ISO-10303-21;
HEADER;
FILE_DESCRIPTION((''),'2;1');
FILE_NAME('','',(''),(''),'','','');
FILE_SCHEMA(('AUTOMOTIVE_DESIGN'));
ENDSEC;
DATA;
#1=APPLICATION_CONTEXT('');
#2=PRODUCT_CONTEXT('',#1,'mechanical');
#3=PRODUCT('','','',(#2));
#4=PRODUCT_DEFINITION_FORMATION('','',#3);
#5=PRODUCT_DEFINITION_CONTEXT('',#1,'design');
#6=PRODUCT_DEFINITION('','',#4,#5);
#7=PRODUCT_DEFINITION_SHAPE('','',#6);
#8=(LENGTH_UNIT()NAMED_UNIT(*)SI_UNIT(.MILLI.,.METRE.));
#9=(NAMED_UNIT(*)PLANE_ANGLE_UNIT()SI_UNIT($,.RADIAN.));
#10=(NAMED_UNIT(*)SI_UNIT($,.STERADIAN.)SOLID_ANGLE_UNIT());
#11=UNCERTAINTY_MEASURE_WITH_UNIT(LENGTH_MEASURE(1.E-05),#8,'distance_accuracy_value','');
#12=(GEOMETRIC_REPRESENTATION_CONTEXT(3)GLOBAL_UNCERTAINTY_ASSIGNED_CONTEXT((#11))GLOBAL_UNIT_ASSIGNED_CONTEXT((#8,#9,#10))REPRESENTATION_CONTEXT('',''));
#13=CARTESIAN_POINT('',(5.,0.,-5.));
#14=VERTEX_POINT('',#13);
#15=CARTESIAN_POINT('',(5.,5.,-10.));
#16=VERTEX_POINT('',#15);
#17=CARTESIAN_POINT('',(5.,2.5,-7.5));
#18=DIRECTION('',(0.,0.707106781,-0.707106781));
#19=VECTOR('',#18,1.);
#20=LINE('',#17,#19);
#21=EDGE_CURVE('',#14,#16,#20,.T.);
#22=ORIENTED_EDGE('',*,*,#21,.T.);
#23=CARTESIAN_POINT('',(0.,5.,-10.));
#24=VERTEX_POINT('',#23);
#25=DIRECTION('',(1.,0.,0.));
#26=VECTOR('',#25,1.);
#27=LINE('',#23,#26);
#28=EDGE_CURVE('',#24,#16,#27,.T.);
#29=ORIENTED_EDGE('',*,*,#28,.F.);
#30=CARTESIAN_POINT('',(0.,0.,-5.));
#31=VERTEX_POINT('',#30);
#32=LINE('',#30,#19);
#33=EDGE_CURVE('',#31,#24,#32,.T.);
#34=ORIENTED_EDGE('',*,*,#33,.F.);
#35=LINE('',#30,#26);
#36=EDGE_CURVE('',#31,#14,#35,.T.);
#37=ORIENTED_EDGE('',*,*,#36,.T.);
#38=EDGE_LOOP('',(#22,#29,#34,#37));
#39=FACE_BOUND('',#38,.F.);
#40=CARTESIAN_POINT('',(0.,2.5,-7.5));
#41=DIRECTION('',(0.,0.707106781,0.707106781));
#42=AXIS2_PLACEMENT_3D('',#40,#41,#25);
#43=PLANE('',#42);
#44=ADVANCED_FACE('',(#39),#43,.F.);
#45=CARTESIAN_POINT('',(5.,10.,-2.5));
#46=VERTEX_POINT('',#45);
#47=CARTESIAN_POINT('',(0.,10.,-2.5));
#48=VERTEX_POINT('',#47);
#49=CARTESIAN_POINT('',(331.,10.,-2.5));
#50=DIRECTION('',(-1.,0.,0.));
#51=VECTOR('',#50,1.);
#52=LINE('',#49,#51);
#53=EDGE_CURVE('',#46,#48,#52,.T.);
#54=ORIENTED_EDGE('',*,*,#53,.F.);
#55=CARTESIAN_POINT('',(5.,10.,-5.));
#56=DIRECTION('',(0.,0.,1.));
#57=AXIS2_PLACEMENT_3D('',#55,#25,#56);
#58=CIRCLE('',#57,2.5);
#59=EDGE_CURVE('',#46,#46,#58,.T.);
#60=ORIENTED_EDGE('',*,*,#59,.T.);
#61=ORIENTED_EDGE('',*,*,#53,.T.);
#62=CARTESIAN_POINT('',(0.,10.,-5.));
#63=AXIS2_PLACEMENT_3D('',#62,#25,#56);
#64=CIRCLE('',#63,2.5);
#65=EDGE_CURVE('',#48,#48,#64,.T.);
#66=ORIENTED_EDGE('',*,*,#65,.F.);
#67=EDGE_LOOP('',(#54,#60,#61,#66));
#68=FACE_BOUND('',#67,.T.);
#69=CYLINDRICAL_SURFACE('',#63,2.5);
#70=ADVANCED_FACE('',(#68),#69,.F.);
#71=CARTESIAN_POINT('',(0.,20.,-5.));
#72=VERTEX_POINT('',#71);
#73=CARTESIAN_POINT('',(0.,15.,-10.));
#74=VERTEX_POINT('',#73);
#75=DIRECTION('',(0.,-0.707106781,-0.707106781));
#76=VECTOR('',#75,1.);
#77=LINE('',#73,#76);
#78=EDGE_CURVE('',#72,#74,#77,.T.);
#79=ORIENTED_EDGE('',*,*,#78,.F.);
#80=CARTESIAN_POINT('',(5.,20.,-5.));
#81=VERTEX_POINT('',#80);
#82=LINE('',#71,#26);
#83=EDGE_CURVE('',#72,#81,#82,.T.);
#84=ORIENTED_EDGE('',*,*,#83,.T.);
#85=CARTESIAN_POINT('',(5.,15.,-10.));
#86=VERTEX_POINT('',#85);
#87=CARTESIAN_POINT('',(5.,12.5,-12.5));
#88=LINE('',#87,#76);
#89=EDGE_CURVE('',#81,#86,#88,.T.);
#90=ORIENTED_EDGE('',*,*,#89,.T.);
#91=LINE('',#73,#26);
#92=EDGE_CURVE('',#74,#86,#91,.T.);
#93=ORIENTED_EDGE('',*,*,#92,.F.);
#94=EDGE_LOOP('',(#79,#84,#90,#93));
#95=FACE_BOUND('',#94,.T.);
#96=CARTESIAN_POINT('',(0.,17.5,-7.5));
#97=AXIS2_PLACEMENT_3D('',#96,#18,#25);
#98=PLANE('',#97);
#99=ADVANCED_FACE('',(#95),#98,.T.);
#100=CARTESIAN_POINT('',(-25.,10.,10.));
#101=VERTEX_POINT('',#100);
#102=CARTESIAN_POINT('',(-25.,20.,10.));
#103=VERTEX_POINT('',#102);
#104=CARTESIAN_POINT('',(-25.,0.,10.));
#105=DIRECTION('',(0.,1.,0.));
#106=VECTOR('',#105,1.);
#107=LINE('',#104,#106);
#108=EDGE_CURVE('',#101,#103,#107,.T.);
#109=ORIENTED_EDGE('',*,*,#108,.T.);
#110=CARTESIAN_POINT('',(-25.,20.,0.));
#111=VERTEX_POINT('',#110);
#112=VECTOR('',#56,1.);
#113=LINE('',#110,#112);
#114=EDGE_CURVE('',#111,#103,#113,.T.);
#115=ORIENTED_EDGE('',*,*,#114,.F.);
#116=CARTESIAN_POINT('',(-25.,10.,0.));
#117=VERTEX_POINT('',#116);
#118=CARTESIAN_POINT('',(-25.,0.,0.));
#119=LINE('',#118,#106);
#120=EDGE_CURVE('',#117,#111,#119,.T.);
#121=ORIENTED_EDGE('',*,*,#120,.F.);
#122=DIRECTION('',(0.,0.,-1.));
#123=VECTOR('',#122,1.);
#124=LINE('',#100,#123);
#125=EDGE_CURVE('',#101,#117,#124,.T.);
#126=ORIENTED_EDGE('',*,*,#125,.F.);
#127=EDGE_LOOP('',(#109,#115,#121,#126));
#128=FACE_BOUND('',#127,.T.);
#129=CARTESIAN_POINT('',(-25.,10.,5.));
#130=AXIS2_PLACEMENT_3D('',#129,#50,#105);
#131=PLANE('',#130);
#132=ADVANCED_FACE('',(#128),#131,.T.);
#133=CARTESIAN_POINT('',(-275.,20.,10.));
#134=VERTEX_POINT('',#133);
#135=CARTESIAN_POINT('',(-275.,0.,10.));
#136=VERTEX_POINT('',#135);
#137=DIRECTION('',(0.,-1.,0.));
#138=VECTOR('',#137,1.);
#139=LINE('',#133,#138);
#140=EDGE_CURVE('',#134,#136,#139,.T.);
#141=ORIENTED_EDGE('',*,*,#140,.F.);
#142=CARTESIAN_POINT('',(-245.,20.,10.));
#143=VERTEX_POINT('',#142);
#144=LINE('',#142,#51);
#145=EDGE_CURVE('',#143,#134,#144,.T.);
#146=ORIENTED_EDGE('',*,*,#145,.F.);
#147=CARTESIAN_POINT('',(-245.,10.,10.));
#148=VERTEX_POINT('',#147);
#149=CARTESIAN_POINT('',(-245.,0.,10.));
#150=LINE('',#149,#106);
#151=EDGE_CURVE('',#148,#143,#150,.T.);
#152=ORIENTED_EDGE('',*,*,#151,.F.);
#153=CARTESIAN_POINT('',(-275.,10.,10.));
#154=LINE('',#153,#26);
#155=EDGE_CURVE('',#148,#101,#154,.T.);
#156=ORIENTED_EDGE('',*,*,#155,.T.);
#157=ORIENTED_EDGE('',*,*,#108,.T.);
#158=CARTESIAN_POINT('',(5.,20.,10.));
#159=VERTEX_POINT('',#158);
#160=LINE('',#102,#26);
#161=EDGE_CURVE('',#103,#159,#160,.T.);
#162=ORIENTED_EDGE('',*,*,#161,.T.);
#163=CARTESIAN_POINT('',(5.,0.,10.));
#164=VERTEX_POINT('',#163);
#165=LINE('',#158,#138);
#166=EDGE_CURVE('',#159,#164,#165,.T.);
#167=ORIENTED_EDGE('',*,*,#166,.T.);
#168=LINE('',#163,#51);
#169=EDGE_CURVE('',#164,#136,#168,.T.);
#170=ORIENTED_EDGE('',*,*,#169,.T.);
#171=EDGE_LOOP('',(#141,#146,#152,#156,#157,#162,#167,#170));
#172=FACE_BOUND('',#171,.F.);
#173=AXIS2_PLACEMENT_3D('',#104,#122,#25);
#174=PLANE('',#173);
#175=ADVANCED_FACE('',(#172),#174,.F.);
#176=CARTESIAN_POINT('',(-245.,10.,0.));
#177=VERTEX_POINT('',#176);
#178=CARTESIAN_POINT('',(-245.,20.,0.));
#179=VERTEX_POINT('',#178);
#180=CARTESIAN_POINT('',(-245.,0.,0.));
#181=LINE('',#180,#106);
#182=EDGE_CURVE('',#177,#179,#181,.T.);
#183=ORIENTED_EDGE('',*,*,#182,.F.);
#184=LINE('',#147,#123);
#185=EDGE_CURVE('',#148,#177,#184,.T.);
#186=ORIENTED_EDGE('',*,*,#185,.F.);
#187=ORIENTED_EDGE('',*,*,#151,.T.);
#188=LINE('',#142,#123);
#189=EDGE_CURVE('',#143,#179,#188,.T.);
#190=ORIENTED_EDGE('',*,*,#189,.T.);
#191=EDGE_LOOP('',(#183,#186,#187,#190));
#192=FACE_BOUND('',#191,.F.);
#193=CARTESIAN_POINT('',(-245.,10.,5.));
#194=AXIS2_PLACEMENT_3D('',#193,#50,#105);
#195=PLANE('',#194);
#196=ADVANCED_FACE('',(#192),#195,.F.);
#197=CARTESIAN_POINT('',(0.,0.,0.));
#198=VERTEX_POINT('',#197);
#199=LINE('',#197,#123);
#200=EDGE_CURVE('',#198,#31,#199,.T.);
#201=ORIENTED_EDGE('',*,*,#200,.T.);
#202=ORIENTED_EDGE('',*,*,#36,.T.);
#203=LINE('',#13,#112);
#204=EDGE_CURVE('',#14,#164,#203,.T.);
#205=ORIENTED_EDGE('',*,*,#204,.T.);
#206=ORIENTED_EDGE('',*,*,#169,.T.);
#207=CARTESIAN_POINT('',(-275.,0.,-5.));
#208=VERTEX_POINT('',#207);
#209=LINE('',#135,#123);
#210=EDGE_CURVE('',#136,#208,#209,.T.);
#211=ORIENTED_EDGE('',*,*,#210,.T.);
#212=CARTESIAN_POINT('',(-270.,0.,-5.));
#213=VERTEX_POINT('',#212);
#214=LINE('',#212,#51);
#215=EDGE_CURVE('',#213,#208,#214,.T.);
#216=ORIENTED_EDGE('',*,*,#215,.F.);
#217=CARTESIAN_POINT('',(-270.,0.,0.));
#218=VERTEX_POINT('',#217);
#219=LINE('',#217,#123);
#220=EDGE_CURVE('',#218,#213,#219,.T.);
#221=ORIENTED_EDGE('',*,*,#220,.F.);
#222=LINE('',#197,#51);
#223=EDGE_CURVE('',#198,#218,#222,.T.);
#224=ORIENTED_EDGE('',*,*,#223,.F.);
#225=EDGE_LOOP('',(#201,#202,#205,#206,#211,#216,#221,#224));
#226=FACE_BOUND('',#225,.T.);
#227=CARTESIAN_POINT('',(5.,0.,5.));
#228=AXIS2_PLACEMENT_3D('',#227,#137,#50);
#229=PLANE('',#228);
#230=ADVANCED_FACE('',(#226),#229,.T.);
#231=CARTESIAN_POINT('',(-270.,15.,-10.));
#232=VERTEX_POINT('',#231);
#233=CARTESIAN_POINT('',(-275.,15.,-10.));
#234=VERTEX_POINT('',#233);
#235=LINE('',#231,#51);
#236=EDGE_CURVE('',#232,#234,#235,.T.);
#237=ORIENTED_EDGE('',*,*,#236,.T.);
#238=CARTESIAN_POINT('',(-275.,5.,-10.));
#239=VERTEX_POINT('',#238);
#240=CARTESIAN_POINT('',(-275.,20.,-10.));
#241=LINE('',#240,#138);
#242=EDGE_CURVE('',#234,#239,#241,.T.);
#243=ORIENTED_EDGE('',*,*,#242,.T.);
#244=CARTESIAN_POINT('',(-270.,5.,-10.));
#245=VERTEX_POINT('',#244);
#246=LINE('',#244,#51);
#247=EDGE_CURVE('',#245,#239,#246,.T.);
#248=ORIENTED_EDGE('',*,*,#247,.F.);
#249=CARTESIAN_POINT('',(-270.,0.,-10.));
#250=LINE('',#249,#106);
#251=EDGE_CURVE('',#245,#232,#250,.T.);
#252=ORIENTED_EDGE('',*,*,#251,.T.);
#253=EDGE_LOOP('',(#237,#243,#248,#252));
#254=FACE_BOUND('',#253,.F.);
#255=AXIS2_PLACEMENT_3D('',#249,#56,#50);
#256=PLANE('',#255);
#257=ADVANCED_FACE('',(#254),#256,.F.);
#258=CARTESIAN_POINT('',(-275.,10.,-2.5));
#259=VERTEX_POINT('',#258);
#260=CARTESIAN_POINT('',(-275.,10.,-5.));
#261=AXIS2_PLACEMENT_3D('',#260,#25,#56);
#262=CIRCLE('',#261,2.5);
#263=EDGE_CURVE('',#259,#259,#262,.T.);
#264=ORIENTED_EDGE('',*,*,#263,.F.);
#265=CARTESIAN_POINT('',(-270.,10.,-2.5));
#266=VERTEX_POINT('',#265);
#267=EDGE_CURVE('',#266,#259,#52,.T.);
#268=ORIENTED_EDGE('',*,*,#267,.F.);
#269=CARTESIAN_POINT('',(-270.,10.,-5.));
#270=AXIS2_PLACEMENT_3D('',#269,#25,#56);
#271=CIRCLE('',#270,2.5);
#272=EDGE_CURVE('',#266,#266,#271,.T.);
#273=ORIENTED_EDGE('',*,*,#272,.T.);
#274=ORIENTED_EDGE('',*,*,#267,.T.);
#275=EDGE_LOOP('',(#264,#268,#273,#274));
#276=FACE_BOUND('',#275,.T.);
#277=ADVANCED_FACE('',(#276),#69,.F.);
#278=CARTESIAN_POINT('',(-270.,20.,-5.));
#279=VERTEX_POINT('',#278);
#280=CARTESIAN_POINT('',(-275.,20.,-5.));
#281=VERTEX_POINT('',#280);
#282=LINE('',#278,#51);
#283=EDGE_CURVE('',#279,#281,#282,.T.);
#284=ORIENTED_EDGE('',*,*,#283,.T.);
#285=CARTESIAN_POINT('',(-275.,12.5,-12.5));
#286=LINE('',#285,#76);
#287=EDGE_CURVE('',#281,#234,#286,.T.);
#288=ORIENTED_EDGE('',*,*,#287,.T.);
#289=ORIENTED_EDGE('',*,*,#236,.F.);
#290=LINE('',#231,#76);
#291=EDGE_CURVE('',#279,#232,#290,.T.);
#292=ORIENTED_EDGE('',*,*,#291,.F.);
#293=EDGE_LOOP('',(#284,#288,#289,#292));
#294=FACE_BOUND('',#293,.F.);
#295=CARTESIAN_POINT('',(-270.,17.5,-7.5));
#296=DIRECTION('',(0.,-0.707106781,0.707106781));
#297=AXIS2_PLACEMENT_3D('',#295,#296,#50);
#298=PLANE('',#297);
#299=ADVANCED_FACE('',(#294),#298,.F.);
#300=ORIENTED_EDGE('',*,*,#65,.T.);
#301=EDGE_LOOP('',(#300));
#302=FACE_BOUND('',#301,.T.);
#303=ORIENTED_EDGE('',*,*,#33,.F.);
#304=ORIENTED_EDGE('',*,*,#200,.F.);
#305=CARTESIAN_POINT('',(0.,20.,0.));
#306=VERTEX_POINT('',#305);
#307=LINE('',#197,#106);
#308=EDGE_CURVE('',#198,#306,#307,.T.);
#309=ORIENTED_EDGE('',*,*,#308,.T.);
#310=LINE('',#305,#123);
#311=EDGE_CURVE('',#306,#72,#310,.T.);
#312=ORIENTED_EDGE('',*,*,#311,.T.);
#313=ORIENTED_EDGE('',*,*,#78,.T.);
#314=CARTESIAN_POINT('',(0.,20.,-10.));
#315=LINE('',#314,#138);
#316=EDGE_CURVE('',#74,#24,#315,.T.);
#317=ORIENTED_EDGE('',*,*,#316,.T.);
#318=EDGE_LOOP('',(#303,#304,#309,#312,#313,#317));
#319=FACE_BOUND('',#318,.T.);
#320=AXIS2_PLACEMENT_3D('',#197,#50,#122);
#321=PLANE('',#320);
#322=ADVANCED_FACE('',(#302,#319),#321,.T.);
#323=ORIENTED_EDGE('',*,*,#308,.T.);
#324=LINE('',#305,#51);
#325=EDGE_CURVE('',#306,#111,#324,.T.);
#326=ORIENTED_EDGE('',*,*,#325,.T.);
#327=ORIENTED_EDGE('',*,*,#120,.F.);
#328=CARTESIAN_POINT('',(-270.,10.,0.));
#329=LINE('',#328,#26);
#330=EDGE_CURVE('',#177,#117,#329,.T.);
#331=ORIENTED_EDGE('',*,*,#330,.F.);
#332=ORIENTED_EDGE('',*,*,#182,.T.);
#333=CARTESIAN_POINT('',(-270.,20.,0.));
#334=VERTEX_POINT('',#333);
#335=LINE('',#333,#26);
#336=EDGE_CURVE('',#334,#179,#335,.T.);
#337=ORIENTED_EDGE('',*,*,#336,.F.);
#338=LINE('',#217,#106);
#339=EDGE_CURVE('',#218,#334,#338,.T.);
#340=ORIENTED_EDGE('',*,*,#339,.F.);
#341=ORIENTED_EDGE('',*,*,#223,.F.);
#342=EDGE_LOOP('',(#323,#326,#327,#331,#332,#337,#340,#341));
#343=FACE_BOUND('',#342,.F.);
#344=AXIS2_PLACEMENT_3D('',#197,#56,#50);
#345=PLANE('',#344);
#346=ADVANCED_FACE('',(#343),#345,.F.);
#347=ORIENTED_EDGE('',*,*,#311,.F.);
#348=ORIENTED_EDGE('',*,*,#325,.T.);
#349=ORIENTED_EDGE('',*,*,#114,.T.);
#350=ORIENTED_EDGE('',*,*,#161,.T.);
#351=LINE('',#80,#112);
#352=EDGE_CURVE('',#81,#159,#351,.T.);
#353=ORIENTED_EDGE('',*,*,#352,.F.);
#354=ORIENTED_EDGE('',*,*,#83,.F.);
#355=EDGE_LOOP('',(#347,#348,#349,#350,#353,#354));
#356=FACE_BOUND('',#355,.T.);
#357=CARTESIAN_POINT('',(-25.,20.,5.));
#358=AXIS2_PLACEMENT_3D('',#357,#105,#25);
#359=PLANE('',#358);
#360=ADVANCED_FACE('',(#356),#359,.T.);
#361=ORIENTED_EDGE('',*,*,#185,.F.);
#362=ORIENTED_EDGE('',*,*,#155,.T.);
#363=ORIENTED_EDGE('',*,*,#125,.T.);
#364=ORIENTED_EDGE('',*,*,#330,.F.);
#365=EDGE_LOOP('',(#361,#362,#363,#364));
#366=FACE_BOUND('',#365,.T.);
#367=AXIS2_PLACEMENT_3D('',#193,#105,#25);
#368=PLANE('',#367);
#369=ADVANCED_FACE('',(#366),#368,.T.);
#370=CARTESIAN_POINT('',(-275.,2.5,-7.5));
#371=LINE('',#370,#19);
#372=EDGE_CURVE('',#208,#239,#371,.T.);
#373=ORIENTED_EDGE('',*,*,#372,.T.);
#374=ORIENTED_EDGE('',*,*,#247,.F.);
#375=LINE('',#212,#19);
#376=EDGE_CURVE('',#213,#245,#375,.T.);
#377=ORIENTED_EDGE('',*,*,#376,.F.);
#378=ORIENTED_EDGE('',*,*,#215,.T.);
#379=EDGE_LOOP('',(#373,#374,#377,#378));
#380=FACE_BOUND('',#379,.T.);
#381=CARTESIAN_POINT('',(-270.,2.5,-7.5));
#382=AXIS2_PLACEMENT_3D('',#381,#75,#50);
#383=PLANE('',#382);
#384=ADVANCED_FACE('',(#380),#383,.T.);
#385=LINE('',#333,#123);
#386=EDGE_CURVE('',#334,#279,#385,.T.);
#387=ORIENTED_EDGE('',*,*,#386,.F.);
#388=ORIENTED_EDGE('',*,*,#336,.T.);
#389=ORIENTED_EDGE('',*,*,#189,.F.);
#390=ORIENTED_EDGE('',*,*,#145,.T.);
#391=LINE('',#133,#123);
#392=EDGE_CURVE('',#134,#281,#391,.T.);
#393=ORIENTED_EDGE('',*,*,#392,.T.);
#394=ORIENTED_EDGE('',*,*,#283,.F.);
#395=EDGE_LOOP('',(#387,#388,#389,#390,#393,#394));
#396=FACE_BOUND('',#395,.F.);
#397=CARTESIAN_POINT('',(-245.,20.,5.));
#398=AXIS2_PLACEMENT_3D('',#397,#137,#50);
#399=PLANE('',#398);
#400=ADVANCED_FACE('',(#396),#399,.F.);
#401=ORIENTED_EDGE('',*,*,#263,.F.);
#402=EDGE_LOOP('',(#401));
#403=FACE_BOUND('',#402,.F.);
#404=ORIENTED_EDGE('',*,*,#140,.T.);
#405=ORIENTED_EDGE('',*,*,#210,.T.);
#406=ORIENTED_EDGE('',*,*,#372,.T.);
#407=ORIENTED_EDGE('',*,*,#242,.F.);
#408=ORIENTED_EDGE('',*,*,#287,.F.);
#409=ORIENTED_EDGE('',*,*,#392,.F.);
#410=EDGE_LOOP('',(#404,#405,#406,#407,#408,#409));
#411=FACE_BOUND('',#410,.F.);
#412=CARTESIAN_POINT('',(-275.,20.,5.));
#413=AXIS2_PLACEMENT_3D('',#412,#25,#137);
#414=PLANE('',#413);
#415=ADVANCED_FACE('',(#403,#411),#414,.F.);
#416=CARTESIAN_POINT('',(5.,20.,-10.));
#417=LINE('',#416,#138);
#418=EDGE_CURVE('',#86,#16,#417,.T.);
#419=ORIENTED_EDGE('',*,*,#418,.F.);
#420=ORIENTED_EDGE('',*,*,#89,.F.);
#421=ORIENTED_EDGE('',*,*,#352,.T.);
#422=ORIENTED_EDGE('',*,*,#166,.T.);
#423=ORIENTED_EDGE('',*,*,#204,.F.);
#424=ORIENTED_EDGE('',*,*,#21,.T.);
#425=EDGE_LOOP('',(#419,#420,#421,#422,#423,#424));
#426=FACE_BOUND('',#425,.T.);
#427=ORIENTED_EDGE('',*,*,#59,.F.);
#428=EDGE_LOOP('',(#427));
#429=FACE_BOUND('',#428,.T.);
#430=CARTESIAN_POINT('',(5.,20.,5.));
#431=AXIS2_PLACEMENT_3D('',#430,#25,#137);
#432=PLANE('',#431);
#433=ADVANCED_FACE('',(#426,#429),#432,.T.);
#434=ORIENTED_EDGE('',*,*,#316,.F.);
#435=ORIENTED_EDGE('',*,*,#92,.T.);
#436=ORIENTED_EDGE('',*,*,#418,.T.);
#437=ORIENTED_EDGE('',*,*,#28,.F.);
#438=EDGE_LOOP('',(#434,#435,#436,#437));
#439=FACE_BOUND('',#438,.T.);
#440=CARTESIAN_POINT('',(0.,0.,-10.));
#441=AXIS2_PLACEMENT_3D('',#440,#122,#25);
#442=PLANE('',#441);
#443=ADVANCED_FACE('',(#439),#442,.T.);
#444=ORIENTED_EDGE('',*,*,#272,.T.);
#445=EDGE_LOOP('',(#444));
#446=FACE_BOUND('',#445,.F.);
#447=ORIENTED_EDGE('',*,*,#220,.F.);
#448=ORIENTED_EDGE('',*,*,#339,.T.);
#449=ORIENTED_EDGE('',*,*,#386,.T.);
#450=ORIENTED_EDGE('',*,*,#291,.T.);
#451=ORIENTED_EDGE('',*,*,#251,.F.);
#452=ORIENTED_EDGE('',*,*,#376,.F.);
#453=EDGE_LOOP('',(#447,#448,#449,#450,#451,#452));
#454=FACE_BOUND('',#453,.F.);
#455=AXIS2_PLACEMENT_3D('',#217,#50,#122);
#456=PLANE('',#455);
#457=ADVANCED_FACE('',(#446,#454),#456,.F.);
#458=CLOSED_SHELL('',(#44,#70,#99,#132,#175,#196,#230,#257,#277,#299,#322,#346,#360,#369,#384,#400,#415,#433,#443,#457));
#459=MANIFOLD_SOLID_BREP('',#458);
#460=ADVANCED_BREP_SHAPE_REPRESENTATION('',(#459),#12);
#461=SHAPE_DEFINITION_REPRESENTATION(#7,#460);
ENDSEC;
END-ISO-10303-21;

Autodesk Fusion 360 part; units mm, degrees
sketch "Sketch1" plane through (0, 0, 0) normal (0, 1, 0) x (1, 0, 0)
  line L0 (0, 0) -> (-25, 0)
  line L1 (-25, 0) -> (-25, -5)
  line L2 (-25, -5) -> (5, -5)
  line L3 (0, 0) -> (0, 10)
  line L4 (0, 10) -> (5, 10)
  line L5 (5, 10) -> (5, -5)
  line L6 (-25, 0) -> (-245, 0)
  line L7 (-245, 0) -> (-245, -5)
  line L8 (-245, -5) -> (-25, -5)
  line L9 (-25, 0) -> (-140, 0)
  line L10 (-140, 0) -> (-140, 27.0089)
  line L11 (-270, 10) -> (-275, 10)
  line L12 (-270, 0) -> (-270, 10)
  line L13 (-275, 10) -> (-275, -5)
  line L14 (-270, 0) -> (-245, 0)
  line L15 (-245, -5) -> (-275, -5)
  line L16 (-245, 0) -> (-245, -5)
  point P0 (-270, 0)
  dimension "d1" = 25
  dimension "d2" = 5
  dimension "d3" = 30
  dimension "d4" = 10
  dimension "d5" = 5
  dimension "d6" = 220
  dimension "d7" = 5
  dimension "d8" = 115
extrude "Extrude1" add sketch "Sketch1" along normal blind 10
extrude "Extrude2" add sketch "Sketch1" along normal blind 20 contours L0 L1 L2 L3 L4 L5 | L7 L11 L12 L13 L14 L15 L16
sketch "Sketch2" plane through (5, 0, 0) normal (1, 0, 0) x (0, 0, -1)
  line L0 (-5, 0) -> (10, 0)
  line L1 (10, 0) -> (10, 20)
  line L2 (10, 20) -> (-5, 20)
  line L3 (-5, 20) -> (-5, 0)
sketch "Sketch3" plane through (0, 0, 0) normal (-1, 0, 0) x (0, 0, 1)
  line L0 (-10, 0) -> (0, 0)
  line L1 (0, 0) -> (0, 20)
  line L2 (0, 20) -> (-10, 20)
  line L3 (-10, 20) -> (-10, 0)
  line L4 (-10, 0) -> (-5, 0)
  line L5 (-5, 0) -> (-5, 10)
  circle A0 centre (-5, 10) radius 2.5
  dimension "d13" = 5
  dimension "d14" = 10
  dimension "d15" = 5
extrude "Extrude3" cut sketch "Sketch3" along normal mid plane 662 contours A0
chamfer "Chamfer1" distance 5 angle 45 4 edges at (2.5, 20, -10) (2.5, 0, -10) (-272.5, 20, -10) (-272.5, 0, -10)
sketch "Sketch5" plane through (0, 10, 0) normal (0, 1, 0) x (-1, 0, 0)
  line L0 (25, 5) -> (25, 0)
  line L1 (25, 0) -> (245, 0)
  line L2 (245, 0) -> (245, 5)
  line L3 (245, 5) -> (25, 5)
  line L4 (245, 0) -> (135, 0)
  dimension "d30" = 110
sketch "Sketch6" plane through (0, 0, 5) normal (0, 0, 1) x (1, 0, 0)
  line L0 (-25, 10) -> (-245, 10)
  line L1 (-245, 10) -> (-245, 20)
  line L2 (-245, 20) -> (-275, 20)
  line L3 (-275, 20) -> (-275, 0)
  line L4 (-275, 0) -> (5, 0)
  line L5 (5, 0) -> (5, 20)
  line L6 (5, 20) -> (-25, 20)
  line L7 (-25, 20) -> (-25, 10)
extrude "Extrude5" add 1 faces at (-265, 10, 5) along direction (0, 0, 1) blind 5
sketch "Sketch7" plane through (0, 10, 0) normal (0, 1, 0) x (-1, 0, 0)
  line L0 (25, 10) -> (25, 0)
  line L1 (25, 0) -> (245, 0)
  line L2 (245, 0) -> (245, 10)
  line L3 (245, 10) -> (25, 10)
  line L4 (245, 0) -> (135, 0)
  line L5 (138.2622, 1.9923) -> (132.3533, 3.0342)
  line L6 (138.2622, 7.9923) -> (132.3533, 6.9504)
  line L7 (132.3533, 3.0342) -> (132.3533, 0)
  line L8 (138.2622, 7.9923) -> (138.2622, 1.9923)
  line L9 (132.3533, 6.9504) -> (132.3533, 10)
  line L10 (138.2622, 1.9923) -> (141.0619, 1.9923) construction
  line L11 (138.2622, 7.9923) -> (141.0619, 7.9923) construction
  line L12 (25, 0) -> (245, 0)
  line L13 (128.521, 0) -> (128.521, 5)
  line L14 (270, -5) -> (275, -5)
  line L15 (275, -5) -> (275, 10)
  line L16 (275, 10) -> (245, 10)
  line L17 (245, 10) -> (245, 0)
  line L18 (245, 0) -> (270, 0)
  line L19 (270, 0) -> (270, -5)
  point P0 (132.1074, 10.0354)
  point P1 (138.2622, 4.9923)
  dimension "d33" = 110
  dimension "d34" = 6
  dimension "d35" = 170
  dimension "d36" = 6
  dimension "d37" = 170
  dimension "d38" = 6
  dimension "d41" = 5
